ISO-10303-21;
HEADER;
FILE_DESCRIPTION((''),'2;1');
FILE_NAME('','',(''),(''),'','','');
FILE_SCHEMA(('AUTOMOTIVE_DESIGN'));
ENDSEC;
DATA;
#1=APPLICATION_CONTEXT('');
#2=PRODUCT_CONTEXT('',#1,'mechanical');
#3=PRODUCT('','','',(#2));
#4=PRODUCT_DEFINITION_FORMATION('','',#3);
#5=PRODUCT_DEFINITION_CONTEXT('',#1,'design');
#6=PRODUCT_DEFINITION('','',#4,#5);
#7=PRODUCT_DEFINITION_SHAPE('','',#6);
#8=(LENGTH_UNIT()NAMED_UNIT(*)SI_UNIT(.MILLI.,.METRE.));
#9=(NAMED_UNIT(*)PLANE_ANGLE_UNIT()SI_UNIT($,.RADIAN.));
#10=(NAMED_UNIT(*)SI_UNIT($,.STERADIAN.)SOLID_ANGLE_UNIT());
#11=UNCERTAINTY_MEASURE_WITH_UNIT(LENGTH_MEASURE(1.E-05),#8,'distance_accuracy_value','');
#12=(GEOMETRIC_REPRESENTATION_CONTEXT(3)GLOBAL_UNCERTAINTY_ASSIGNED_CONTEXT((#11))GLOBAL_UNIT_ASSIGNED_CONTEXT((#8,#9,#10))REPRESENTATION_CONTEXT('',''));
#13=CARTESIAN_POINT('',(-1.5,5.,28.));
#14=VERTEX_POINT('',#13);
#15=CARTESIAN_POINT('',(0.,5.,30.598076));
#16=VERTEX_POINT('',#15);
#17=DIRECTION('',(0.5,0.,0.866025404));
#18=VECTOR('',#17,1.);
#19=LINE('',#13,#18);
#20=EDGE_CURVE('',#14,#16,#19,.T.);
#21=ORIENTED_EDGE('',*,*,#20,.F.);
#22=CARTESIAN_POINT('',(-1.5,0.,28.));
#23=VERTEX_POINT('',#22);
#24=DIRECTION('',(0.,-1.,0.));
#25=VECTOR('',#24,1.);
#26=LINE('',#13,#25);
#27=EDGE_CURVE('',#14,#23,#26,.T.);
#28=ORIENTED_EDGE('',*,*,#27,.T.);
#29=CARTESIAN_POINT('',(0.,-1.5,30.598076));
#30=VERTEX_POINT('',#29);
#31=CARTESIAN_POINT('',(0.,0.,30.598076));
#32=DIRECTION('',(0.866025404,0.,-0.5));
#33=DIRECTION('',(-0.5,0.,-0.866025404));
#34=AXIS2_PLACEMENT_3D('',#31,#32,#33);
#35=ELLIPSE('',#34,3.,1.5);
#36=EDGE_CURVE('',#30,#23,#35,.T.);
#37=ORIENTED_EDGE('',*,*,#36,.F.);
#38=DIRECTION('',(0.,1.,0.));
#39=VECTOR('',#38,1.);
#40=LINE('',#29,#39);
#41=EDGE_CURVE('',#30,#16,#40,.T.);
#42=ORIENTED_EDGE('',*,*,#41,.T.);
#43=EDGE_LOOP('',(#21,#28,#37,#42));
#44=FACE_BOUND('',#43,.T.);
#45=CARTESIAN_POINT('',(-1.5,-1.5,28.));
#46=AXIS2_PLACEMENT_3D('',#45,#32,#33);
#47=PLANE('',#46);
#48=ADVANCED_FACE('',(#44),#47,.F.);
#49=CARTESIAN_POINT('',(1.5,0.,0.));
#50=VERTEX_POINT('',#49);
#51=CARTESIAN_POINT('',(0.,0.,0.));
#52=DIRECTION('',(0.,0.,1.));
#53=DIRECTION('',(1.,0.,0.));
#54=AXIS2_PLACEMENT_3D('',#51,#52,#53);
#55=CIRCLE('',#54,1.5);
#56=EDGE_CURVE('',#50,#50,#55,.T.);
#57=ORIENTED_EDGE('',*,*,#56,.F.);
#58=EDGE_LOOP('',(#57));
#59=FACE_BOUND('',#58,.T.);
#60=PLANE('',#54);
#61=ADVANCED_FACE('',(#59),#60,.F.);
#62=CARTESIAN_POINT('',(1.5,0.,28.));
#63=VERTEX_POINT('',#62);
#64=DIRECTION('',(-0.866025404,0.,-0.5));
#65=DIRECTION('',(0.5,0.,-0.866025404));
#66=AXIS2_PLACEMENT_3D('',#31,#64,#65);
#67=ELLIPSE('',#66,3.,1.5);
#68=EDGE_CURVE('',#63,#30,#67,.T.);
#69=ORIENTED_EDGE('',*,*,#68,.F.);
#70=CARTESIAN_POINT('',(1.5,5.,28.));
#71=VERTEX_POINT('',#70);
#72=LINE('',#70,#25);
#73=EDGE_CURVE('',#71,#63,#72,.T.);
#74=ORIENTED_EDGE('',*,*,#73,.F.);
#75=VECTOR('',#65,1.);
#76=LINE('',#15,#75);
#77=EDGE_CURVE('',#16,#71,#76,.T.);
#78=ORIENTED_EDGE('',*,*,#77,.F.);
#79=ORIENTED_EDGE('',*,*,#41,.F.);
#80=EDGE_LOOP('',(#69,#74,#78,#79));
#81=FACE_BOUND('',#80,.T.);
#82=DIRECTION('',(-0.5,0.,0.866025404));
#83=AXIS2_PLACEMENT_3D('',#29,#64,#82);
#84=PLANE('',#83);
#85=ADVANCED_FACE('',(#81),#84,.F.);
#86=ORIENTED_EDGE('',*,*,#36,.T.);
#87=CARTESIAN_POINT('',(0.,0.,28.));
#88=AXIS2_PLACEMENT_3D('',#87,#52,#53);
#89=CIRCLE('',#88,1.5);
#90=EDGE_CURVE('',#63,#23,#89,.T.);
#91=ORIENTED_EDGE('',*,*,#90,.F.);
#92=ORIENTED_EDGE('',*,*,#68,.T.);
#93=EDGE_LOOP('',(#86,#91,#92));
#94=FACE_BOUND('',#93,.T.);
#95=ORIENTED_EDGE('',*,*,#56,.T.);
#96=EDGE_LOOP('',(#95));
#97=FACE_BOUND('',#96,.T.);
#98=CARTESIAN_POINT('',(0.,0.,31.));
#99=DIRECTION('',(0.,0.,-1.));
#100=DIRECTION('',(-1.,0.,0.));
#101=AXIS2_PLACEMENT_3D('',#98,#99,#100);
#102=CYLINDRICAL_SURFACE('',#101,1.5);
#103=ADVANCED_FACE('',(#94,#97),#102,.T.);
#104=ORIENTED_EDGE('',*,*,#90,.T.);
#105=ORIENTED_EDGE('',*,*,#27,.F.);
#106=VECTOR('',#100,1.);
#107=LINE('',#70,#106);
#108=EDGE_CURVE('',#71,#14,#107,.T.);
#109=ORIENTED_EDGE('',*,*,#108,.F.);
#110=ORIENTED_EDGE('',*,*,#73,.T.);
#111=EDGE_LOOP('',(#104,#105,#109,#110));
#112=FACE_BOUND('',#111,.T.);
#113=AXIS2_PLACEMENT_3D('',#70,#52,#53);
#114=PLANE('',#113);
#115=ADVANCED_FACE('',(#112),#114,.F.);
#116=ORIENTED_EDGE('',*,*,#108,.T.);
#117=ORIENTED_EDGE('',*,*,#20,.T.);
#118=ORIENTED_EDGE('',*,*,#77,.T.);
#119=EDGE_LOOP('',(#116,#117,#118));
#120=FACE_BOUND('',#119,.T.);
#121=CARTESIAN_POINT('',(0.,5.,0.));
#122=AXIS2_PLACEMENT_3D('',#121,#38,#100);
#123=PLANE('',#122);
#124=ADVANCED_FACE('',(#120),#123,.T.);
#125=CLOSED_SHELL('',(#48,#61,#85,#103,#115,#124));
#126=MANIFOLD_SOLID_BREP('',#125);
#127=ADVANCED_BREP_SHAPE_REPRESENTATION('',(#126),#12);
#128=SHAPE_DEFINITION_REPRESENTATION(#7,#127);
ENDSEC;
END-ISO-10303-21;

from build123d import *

# Parameters (mm, degrees)
SKETCH_5_R          = 1.5
EXTRUDE_4_DEPTH     = 31
SKETCH_6_W          = 3
SKETCH_6_H          = 1.5
CUT_EXTRUDE_2_DEPTH = 3
CUT_EXTRUDE_3_DEPTH = 1.5
EXTRUDE_5_DEPTH     = 5


with BuildPart() as part:
    # 草图5 → 凸台-拉伸4 (new body)
    with BuildSketch(Plane.XY):
        Circle(SKETCH_5_R)
    extrude(amount=EXTRUDE_4_DEPTH)

    # 草图6 → 切除-拉伸2 (cut)
    with BuildSketch(Plane.XY.offset(31)):
        with Locations((0, 0.75)):
            Rectangle(SKETCH_6_W, SKETCH_6_H)
    extrude(amount=-CUT_EXTRUDE_2_DEPTH, mode=Mode.SUBTRACT)

    # 草图7 → 切除-拉伸3 (cut)
    with BuildSketch(Plane(origin=(0, 0, 0), x_dir=(1, 0, 0), z_dir=(0, 1, 0))):
        Polygon((-1.5, -28), (0, -30.598076211), (1.5, -28), (1.5, -31), (-1.5, -31), align=None)
    extrude(amount=-CUT_EXTRUDE_3_DEPTH, mode=Mode.SUBTRACT)

    # 草图8 → 凸台-拉伸5 (add)
    with BuildSketch(Plane(origin=(0, 0, 0), x_dir=(1, 0, 0), z_dir=(0, 1, 0))):
        Polygon((0, -30.598076211), (1.5, -28), (-1.5, -28), align=None)
    extrude(amount=EXTRUDE_5_DEPTH)


solid = part.part
